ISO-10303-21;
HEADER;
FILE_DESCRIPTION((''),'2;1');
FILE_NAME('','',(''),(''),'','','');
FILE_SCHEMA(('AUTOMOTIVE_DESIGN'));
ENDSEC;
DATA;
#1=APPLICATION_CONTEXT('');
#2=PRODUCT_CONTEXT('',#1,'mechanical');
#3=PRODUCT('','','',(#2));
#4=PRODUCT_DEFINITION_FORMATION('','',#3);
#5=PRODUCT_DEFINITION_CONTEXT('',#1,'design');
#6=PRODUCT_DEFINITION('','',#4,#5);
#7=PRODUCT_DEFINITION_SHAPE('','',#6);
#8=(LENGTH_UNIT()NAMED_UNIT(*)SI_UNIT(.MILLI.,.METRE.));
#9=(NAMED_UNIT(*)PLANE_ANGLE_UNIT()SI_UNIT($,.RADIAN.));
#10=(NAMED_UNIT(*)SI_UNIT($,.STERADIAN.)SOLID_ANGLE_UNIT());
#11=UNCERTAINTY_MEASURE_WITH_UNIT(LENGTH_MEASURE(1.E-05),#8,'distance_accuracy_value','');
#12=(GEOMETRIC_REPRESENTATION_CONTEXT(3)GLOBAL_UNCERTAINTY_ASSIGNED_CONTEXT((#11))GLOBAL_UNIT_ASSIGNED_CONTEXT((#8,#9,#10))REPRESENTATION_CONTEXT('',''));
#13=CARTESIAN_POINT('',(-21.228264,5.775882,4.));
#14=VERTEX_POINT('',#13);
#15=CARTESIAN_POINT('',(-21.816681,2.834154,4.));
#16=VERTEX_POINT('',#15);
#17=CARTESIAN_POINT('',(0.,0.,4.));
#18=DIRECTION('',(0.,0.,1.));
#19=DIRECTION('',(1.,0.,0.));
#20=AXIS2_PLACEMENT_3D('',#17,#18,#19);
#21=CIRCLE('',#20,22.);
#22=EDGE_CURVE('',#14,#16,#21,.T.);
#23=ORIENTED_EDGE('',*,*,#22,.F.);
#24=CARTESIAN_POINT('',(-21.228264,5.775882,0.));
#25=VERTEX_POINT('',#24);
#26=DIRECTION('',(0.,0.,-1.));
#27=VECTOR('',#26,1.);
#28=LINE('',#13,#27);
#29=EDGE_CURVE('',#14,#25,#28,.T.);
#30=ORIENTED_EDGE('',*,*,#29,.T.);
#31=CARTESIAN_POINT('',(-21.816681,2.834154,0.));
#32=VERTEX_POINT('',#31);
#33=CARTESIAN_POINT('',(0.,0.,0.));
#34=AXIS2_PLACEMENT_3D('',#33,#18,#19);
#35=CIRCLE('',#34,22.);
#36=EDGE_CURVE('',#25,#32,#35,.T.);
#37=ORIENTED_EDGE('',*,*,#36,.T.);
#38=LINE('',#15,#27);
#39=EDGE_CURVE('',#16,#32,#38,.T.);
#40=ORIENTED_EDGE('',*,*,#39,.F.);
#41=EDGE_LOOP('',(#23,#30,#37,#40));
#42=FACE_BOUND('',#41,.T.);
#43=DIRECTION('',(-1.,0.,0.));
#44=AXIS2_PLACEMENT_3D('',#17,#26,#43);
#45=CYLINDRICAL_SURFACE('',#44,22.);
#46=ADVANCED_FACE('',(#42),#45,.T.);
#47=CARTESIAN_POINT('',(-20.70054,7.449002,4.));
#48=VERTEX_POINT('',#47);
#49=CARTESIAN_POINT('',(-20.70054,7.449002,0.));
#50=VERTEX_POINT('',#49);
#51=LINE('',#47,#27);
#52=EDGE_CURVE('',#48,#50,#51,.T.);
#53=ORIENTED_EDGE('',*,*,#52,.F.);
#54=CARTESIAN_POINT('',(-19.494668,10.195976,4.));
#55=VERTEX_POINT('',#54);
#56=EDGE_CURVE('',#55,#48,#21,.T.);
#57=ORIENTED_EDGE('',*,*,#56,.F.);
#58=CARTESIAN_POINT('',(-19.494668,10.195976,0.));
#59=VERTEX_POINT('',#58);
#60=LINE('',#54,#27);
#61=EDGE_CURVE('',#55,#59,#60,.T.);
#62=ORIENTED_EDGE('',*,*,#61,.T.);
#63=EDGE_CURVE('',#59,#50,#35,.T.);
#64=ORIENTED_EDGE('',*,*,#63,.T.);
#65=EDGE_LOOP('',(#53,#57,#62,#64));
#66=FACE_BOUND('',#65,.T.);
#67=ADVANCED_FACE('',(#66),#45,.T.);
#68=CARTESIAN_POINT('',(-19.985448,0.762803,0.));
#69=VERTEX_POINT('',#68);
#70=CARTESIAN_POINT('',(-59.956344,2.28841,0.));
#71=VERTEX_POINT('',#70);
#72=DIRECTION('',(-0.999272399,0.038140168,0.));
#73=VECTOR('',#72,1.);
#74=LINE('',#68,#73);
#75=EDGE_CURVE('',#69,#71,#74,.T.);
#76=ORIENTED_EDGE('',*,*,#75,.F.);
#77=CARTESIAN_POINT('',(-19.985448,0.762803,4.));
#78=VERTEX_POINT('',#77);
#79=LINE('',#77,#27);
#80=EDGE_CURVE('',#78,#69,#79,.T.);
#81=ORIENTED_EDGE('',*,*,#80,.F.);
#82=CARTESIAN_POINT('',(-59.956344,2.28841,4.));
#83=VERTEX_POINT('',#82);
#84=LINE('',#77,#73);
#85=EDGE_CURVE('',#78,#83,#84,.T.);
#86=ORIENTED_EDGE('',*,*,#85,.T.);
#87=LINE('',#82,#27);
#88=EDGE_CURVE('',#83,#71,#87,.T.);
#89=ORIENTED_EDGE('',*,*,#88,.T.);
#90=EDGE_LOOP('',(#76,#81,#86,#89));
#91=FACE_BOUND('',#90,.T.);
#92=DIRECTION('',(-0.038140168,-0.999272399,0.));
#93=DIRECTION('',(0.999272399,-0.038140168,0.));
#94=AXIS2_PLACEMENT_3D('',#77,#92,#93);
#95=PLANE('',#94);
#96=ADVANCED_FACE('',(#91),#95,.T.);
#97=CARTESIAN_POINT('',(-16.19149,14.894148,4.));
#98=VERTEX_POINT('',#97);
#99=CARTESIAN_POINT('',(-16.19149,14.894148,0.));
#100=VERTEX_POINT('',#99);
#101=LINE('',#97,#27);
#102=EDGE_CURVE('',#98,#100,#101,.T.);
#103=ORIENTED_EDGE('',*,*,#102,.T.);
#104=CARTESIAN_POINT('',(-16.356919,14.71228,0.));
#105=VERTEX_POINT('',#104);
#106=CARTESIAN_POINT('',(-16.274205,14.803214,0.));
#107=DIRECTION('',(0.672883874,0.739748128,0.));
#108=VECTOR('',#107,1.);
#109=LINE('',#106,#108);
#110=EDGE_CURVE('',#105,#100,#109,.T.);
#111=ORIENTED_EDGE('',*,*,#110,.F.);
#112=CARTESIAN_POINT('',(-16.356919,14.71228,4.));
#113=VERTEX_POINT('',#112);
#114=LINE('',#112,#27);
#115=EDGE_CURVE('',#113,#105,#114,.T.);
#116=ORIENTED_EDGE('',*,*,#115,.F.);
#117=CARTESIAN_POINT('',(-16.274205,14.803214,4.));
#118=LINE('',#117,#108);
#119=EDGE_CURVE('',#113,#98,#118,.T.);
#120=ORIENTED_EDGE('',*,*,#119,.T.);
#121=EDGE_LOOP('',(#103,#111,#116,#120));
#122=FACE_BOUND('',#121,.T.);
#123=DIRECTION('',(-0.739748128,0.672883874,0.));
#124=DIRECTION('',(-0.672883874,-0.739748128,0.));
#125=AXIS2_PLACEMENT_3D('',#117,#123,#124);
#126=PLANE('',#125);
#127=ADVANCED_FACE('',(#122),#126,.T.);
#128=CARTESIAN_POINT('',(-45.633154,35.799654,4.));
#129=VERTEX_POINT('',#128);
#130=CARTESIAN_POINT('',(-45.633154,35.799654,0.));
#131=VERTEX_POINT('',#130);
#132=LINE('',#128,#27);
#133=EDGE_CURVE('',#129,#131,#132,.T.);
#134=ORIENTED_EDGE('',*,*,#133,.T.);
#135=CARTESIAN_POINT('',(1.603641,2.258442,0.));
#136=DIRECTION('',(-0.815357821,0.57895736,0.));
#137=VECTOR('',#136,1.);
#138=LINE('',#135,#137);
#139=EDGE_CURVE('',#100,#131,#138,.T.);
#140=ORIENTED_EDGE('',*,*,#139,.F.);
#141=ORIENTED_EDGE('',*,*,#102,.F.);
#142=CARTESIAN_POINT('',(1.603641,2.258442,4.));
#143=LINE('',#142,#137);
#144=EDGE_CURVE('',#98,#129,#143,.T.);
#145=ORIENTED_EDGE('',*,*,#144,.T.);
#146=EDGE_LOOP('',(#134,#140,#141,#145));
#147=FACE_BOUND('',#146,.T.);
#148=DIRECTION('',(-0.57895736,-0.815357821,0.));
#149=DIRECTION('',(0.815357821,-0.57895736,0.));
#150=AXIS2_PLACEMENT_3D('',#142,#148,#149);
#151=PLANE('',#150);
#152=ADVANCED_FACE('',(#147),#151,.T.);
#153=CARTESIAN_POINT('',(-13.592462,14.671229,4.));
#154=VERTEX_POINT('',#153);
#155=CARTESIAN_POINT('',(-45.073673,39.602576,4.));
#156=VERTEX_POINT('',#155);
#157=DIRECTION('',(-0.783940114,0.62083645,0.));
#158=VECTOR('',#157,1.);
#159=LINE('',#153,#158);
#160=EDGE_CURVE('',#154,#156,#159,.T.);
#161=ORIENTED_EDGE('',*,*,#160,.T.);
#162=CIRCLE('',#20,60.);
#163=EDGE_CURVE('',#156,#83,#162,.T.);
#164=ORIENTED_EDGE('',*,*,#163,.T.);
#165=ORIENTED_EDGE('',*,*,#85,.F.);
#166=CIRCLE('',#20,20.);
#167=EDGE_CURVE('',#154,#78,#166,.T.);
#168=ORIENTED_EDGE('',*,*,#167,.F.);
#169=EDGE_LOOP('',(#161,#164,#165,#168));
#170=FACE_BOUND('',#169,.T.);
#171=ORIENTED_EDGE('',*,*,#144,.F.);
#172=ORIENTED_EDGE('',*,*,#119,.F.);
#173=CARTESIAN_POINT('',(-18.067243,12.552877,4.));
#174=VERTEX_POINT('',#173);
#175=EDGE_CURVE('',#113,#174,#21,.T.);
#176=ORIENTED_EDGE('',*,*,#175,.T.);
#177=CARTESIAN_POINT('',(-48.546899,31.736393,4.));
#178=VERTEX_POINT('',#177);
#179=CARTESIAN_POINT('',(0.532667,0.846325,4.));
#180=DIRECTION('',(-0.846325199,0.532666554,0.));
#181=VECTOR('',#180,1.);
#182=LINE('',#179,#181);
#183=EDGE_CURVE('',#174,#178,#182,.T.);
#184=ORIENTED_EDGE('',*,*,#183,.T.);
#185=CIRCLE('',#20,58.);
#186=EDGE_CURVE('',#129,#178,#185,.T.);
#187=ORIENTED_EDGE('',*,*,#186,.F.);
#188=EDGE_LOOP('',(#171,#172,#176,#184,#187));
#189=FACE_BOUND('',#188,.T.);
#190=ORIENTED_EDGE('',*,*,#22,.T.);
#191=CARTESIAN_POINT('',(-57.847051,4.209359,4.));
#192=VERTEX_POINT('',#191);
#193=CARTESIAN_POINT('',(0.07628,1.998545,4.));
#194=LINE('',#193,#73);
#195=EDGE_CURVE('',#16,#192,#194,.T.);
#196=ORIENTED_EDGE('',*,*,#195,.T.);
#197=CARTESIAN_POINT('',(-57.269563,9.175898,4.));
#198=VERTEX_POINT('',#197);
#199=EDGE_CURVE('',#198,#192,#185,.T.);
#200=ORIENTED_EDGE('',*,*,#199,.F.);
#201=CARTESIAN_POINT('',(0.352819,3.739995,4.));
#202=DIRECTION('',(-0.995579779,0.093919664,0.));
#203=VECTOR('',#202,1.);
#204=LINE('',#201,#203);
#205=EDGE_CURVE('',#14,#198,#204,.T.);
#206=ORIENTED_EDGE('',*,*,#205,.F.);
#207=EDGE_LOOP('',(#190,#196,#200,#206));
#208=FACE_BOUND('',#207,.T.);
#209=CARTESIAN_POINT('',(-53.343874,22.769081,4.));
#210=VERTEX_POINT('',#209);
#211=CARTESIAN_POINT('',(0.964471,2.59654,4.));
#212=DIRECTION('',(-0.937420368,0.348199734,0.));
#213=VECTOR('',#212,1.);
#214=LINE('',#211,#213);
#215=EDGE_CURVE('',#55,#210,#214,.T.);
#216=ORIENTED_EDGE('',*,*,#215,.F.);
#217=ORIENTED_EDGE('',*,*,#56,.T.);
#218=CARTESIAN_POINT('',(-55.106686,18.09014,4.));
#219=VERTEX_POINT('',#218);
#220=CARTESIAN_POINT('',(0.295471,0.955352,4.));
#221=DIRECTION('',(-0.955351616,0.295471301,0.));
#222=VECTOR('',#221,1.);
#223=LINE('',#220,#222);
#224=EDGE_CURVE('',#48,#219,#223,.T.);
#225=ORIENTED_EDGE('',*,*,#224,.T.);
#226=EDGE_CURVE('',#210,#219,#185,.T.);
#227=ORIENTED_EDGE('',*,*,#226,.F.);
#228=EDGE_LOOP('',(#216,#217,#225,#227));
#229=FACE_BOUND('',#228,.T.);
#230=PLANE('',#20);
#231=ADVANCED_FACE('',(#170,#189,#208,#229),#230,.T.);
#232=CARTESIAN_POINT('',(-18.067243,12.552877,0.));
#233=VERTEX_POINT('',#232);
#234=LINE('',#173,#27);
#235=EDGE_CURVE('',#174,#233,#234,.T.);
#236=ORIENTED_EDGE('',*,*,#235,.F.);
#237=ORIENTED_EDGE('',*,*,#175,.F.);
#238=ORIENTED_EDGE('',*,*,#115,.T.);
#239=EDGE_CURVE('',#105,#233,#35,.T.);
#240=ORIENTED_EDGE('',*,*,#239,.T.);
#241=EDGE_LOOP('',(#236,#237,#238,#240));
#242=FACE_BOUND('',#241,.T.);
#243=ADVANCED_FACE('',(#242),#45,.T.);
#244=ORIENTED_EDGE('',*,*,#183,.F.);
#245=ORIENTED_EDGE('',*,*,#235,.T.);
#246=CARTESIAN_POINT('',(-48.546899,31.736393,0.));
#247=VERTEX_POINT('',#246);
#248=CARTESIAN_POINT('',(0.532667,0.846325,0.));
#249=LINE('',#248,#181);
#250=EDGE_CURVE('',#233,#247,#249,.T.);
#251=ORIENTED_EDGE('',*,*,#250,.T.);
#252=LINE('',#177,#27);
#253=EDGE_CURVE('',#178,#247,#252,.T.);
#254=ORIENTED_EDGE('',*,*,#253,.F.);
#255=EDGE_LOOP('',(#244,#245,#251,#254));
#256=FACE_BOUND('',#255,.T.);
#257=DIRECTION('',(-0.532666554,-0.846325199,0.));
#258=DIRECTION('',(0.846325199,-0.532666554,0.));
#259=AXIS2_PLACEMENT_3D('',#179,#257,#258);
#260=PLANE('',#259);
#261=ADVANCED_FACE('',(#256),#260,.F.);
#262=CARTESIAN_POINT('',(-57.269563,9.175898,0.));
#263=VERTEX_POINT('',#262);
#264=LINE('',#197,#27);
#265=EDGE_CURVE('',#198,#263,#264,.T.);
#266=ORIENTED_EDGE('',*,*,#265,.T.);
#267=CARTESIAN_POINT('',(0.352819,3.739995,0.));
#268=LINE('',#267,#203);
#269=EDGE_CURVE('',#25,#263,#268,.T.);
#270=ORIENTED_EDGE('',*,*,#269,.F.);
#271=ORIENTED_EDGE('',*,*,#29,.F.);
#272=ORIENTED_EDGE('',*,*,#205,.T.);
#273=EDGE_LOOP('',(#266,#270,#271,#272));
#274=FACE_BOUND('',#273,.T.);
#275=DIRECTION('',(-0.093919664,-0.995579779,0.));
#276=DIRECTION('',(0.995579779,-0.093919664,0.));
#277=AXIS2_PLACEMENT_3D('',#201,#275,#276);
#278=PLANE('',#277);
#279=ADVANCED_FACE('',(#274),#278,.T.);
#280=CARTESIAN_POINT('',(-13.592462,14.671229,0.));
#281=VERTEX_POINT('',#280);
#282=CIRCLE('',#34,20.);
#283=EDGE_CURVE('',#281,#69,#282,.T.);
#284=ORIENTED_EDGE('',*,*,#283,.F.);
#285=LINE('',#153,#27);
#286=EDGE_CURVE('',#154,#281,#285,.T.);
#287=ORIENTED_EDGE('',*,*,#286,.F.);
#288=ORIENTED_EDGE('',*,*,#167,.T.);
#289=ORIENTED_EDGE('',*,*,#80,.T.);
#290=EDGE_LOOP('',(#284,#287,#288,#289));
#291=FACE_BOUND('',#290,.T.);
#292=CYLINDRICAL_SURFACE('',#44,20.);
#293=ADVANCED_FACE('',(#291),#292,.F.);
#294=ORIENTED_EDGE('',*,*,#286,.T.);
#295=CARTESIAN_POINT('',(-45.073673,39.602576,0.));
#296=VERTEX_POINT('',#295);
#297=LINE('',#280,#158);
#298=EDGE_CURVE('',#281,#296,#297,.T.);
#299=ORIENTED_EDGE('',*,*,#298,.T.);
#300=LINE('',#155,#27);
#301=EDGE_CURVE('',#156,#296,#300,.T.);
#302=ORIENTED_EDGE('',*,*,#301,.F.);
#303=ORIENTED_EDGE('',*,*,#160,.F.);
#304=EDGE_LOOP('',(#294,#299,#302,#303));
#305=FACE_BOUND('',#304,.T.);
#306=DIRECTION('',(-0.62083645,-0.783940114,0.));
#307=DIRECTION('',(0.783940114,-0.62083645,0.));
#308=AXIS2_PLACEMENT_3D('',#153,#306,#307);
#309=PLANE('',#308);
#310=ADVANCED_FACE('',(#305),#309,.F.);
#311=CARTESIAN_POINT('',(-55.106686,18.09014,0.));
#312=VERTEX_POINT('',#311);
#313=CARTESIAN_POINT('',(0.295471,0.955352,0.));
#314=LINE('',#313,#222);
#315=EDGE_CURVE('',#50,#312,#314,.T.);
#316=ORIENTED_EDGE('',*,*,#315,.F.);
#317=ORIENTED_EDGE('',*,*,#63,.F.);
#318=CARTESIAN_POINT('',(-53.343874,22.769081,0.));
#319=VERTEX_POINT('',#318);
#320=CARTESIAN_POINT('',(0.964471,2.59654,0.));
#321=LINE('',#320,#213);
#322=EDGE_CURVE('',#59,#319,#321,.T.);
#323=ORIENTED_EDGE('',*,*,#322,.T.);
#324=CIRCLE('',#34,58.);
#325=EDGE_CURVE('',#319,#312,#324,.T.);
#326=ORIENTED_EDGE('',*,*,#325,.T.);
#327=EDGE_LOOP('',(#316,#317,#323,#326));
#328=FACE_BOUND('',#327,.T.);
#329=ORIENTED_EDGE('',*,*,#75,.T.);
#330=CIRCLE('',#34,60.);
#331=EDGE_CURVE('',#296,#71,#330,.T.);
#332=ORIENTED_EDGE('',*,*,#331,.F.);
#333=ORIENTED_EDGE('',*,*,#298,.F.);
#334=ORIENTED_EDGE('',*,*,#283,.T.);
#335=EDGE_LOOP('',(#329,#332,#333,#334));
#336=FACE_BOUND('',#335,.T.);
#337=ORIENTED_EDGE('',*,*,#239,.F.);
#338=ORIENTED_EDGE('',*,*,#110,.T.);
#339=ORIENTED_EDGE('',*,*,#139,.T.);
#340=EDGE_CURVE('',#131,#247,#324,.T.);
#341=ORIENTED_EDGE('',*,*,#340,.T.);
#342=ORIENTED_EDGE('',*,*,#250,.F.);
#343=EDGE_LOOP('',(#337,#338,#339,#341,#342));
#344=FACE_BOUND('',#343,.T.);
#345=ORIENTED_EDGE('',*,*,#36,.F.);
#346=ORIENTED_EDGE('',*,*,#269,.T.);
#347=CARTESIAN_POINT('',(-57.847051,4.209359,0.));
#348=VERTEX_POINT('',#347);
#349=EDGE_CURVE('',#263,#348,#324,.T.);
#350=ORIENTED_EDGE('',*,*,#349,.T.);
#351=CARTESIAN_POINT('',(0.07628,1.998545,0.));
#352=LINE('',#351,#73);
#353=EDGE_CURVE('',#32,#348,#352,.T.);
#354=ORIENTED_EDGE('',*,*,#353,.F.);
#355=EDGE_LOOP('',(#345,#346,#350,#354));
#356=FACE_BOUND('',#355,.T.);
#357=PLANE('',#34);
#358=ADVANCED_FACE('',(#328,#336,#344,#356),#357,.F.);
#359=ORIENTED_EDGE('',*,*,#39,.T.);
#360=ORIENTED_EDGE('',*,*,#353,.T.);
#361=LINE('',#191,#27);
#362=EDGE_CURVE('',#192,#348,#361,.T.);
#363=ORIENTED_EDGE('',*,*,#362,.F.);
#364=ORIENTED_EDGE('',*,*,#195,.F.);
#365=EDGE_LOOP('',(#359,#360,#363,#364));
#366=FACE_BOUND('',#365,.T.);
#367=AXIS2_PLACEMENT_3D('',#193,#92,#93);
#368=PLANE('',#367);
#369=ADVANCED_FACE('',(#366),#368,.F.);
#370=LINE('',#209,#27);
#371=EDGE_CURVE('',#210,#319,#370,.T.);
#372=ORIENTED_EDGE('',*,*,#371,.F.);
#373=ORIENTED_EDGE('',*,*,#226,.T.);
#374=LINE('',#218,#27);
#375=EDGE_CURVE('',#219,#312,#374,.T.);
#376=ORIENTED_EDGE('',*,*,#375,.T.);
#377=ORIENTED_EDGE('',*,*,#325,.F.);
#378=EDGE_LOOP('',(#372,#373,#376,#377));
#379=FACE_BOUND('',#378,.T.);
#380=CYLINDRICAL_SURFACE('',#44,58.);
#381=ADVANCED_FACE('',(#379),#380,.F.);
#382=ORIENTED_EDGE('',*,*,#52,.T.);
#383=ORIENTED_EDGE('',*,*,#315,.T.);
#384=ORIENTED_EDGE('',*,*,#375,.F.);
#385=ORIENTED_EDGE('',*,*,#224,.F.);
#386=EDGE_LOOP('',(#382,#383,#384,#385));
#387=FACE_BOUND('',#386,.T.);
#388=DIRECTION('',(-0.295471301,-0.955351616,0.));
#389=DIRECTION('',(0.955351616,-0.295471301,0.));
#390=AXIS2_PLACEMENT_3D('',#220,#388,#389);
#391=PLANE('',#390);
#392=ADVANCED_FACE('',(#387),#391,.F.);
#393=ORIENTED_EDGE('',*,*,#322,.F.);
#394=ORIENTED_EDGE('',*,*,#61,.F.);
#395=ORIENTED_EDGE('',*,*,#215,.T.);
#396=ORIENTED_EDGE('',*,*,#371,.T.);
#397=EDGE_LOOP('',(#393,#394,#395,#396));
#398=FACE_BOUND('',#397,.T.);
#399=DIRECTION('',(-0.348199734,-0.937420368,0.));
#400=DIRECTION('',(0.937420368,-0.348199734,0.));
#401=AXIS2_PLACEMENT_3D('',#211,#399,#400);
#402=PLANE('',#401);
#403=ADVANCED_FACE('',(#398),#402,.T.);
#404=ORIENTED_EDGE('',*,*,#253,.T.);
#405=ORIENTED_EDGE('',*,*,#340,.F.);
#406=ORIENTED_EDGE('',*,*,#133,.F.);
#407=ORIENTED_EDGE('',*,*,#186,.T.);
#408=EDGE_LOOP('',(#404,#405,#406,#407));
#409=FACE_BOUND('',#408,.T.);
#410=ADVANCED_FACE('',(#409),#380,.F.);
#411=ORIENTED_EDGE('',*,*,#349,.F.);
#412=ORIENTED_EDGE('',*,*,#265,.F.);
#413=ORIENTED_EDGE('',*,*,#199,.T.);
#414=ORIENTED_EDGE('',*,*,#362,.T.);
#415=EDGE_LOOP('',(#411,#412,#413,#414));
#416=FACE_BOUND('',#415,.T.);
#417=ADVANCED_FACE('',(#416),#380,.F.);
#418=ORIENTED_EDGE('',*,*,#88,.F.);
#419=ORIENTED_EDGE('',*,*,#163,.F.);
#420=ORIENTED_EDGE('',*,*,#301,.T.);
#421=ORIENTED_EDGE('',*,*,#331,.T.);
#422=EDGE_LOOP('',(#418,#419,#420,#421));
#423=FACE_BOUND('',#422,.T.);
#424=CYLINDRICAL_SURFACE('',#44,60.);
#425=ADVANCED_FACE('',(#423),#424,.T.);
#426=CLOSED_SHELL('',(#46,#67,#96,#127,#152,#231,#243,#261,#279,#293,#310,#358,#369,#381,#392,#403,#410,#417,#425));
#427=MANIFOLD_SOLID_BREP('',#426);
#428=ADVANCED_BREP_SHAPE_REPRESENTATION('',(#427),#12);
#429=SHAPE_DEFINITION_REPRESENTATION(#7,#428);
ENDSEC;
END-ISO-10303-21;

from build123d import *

# Parameters (mm, degrees)
BOSS_EXTRUDE2_DEPTH = 4
CUT_EXTRUDE1_DEPTH  = 72.966153215


with BuildPart() as part:
    # Sketch1 → Boss-Extrude2 (new body)
    with BuildSketch(Plane.XY):
        with BuildLine():
            Line((-19.985447982, 0.762803358), (-59.956343946, 2.288410074))
            ThreePointArc((-59.956343946, 2.288410074), (-55.730717245, 22.228071336), (-45.073672701, 39.602576043))
            Line((-45.073672701, 39.602576043), (-13.592462366, 14.67122922))
            ThreePointArc((-13.592462366, 14.67122922), (-18.172234131, 8.352838241), (-19.985447982, 0.762803358))
        make_face()
    extrude(amount=BOSS_EXTRUDE2_DEPTH)

    # Sketch1<5> → Cut-Extrude1 (cut, through all)
    with BuildSketch(Plane.XY):
        with BuildLine():
            ThreePointArc((-18.067243214, 12.552877066), (-17.245912522, 13.659374118), (-16.356919422, 14.712280144))
            Line((-16.356919422, 14.712280144), (-16.19149009, 14.894148135))
            Line((-16.19149009, 14.894148135), (-45.633154018, 35.799654388))
            ThreePointArc((-45.633154018, 35.799654388), (-47.133831778, 33.799436415), (-48.546898537, 31.736393028))
            Line((-48.546898537, 31.736393028), (-18.067243214, 12.552877066))
        make_face()
        with BuildLine():
            Line((-57.847050894, 4.209358967), (-21.816681027, 2.834154011))
            ThreePointArc((-21.816681027, 2.834154011), (-21.572673921, 4.315059664), (-21.2282638, 5.775882272))
            Line((-21.2282638, 5.775882272), (-57.269563461, 9.175897829))
            ThreePointArc((-57.269563461, 9.175897829), (-57.611850796, 6.698854216), (-57.847050894, 4.209358967))
        make_face()
        with BuildLine():
            Line((-55.106686022, 18.090139737), (-20.700540486, 7.449001516))
            ThreePointArc((-20.700540486, 7.449001516), (-20.144482043, 8.843067523), (-19.494667642, 10.19597634))
            Line((-19.494667642, 10.19597634), (-53.343874365, 22.769081398))
            ThreePointArc((-53.343874365, 22.769081398), (-54.275723264, 20.448615214), (-55.106686022, 18.090139737))
        make_face()
    extrude(amount=CUT_EXTRUDE1_DEPTH, mode=Mode.SUBTRACT)


solid = part.part
